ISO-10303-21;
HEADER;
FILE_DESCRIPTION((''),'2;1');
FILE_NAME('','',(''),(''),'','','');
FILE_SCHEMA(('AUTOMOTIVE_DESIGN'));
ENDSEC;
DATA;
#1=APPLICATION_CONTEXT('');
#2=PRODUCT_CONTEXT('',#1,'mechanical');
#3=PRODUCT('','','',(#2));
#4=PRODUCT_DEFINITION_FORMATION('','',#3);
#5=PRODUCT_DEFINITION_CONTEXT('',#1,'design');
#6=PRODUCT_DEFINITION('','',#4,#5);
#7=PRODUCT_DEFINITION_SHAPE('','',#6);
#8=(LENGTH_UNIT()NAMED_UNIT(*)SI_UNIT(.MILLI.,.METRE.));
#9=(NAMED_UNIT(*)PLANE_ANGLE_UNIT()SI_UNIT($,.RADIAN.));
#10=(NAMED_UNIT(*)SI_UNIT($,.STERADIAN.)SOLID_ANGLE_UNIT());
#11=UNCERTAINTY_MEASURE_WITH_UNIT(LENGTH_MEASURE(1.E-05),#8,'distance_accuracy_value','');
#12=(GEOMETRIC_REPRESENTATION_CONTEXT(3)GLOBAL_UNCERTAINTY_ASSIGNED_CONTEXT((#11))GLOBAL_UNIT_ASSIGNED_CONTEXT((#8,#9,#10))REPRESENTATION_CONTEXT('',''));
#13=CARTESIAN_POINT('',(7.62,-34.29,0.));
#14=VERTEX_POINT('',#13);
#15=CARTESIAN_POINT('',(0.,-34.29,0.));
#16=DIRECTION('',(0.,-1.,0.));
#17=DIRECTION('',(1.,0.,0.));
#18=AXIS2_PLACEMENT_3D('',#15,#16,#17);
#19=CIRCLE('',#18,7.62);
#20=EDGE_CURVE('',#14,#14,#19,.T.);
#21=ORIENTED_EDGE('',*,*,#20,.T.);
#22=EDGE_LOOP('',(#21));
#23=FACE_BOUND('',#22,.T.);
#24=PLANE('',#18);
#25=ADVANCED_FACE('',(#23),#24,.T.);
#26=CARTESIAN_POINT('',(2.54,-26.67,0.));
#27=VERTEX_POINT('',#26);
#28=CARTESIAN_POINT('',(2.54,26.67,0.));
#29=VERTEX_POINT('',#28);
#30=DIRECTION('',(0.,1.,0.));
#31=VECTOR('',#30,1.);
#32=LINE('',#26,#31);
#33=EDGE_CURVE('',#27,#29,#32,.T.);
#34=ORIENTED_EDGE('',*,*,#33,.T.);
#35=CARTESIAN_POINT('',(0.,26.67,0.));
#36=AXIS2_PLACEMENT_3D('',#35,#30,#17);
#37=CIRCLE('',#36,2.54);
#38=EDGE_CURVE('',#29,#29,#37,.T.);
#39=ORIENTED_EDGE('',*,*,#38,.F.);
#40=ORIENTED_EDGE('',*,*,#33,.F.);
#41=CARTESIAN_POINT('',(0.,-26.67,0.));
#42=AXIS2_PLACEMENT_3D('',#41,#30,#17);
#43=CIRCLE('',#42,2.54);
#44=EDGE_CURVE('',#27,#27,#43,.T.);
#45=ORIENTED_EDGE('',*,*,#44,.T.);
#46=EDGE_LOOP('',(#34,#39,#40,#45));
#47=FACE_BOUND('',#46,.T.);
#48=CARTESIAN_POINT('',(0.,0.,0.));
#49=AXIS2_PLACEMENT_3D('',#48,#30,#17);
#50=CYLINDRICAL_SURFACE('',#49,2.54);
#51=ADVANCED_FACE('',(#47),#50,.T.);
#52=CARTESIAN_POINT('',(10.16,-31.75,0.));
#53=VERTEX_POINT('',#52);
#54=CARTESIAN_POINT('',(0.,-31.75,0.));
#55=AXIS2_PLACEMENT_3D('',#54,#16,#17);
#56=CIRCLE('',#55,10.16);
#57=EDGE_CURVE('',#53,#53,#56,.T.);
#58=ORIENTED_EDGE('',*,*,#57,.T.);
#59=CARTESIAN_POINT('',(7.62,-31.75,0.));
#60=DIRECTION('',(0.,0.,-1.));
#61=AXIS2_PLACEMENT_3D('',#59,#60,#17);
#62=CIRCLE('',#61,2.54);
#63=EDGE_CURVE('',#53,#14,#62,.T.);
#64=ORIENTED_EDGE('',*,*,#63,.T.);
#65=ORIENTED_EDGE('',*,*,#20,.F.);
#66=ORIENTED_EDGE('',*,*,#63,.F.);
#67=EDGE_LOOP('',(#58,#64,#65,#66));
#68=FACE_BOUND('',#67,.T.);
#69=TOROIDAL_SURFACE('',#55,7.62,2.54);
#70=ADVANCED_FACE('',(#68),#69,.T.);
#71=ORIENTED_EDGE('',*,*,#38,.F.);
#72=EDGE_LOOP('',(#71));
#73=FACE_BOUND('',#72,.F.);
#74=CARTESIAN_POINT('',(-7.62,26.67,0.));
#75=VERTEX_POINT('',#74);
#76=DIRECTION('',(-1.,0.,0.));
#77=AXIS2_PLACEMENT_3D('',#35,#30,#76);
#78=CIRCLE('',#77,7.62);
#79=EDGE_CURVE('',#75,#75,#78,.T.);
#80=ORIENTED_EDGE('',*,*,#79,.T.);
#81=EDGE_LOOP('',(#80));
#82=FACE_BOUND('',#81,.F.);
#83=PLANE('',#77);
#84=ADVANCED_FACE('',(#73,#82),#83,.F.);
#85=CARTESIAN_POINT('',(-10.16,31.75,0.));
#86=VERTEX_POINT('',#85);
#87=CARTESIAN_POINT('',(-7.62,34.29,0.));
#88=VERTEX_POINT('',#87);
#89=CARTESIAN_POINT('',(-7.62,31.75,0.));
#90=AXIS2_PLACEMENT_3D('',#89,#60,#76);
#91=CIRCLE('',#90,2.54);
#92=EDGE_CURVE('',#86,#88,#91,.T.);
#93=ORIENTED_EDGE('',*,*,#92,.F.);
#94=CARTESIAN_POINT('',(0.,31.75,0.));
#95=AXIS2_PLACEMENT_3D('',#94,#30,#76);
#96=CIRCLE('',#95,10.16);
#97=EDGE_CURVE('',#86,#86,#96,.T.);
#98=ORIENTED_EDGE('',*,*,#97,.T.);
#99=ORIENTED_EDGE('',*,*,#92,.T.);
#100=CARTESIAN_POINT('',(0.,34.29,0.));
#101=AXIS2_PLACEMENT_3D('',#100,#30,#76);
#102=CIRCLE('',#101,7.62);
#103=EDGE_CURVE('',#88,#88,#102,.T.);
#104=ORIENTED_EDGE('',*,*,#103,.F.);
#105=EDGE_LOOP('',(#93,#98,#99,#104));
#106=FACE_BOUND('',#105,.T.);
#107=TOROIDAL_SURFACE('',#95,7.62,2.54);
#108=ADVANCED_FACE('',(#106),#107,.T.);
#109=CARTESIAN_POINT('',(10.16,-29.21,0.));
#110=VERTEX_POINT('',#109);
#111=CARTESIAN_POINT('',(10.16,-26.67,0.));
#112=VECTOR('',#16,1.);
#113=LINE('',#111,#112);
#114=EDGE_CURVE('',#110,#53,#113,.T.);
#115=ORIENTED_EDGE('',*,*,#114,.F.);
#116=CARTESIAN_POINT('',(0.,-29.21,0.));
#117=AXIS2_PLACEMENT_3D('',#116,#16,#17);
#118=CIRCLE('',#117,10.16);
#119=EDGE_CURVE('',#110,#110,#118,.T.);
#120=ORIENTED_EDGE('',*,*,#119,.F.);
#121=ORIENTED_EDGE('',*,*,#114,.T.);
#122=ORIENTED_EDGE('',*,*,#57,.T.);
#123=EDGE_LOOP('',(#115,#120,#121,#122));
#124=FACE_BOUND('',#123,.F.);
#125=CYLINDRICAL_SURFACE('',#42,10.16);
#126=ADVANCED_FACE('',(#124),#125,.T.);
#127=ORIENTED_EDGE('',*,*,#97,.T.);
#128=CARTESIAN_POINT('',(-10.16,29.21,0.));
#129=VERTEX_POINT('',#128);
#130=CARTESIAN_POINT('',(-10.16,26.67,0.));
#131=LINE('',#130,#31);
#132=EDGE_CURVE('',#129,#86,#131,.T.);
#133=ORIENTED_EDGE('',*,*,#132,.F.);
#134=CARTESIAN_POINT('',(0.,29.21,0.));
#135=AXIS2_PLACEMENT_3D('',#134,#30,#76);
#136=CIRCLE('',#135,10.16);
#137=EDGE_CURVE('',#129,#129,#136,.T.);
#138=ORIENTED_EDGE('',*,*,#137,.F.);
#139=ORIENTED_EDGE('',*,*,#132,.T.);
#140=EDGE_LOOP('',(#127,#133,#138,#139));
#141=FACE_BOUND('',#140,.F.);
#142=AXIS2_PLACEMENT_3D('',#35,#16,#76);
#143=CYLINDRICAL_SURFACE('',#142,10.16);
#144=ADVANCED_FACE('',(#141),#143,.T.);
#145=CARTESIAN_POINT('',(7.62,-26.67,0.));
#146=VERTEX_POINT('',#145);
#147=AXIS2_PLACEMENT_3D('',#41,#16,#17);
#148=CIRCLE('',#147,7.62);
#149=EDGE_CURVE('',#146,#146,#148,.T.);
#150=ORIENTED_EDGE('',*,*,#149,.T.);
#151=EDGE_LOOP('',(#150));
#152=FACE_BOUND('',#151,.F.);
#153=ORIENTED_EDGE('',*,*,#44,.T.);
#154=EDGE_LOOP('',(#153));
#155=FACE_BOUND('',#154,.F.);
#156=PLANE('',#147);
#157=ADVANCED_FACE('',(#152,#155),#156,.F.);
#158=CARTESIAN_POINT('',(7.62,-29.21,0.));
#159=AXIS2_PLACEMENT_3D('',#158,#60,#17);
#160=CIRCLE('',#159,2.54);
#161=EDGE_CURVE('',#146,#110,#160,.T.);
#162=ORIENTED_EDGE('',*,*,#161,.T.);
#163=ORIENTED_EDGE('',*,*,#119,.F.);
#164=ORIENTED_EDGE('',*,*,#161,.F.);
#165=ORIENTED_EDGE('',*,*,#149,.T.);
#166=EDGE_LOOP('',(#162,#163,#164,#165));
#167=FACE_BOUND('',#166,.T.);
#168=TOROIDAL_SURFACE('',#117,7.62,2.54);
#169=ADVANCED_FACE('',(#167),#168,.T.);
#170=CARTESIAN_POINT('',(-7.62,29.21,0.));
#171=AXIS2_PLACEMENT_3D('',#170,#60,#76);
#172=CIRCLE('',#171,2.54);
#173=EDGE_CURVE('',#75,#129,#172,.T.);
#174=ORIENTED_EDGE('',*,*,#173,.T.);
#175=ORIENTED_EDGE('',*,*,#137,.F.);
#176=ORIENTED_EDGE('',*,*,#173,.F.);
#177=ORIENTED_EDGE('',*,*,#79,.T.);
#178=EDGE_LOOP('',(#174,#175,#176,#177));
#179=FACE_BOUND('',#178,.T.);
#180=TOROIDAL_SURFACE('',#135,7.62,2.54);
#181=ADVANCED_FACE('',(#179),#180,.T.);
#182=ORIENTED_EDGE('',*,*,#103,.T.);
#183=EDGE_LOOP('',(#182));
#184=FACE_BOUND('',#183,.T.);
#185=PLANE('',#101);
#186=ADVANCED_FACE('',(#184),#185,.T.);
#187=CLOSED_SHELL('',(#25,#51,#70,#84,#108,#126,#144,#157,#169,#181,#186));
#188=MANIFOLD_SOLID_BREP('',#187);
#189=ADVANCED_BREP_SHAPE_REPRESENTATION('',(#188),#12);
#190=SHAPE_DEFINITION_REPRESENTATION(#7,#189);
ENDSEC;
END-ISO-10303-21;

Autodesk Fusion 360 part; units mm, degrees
sketch "Sketch1" plane through (0, 0, 0) normal (0, 1, 0) x (1, 0, 0)
  circle A0 centre (0, 0) radius 2.54
  dimension "d1" = 5.08
extrude "Extrude1" add sketch "Sketch1" along normal mid plane 53.34
sketch "Sketch2" plane through (0, -26.67, 0) normal (0, -1, 0) x (1, 0, 0)
  circle A0 centre (0, 0) radius 2.54
  circle A1 centre (0, 0) radius 10.16
  dimension "d8" = 20.32
extrude "Extrude2" add sketch "Sketch2" along normal blind 7.62 contours A0 | A1
sketch "Sketch3" plane through (0, 26.67, 0) normal (0, 1, 0) x (-1, 0, 0)
  circle A0 centre (0, 0) radius 2.54
  circle A1 centre (0, 0) radius 10.16
  dimension "d9" = 20.32
extrude "Extrude3" add sketch "Sketch3" along normal blind 7.62 contours A0 | A1
fillet "Fillet1" radius 2.54 3 edges at (-9.4724, -34.29, -3.674) (9.4724, 34.29, -3.674) (-9.4724, -26.67, -3.674) 1 faces at (-10.1474, 29.21, -0.5064)
